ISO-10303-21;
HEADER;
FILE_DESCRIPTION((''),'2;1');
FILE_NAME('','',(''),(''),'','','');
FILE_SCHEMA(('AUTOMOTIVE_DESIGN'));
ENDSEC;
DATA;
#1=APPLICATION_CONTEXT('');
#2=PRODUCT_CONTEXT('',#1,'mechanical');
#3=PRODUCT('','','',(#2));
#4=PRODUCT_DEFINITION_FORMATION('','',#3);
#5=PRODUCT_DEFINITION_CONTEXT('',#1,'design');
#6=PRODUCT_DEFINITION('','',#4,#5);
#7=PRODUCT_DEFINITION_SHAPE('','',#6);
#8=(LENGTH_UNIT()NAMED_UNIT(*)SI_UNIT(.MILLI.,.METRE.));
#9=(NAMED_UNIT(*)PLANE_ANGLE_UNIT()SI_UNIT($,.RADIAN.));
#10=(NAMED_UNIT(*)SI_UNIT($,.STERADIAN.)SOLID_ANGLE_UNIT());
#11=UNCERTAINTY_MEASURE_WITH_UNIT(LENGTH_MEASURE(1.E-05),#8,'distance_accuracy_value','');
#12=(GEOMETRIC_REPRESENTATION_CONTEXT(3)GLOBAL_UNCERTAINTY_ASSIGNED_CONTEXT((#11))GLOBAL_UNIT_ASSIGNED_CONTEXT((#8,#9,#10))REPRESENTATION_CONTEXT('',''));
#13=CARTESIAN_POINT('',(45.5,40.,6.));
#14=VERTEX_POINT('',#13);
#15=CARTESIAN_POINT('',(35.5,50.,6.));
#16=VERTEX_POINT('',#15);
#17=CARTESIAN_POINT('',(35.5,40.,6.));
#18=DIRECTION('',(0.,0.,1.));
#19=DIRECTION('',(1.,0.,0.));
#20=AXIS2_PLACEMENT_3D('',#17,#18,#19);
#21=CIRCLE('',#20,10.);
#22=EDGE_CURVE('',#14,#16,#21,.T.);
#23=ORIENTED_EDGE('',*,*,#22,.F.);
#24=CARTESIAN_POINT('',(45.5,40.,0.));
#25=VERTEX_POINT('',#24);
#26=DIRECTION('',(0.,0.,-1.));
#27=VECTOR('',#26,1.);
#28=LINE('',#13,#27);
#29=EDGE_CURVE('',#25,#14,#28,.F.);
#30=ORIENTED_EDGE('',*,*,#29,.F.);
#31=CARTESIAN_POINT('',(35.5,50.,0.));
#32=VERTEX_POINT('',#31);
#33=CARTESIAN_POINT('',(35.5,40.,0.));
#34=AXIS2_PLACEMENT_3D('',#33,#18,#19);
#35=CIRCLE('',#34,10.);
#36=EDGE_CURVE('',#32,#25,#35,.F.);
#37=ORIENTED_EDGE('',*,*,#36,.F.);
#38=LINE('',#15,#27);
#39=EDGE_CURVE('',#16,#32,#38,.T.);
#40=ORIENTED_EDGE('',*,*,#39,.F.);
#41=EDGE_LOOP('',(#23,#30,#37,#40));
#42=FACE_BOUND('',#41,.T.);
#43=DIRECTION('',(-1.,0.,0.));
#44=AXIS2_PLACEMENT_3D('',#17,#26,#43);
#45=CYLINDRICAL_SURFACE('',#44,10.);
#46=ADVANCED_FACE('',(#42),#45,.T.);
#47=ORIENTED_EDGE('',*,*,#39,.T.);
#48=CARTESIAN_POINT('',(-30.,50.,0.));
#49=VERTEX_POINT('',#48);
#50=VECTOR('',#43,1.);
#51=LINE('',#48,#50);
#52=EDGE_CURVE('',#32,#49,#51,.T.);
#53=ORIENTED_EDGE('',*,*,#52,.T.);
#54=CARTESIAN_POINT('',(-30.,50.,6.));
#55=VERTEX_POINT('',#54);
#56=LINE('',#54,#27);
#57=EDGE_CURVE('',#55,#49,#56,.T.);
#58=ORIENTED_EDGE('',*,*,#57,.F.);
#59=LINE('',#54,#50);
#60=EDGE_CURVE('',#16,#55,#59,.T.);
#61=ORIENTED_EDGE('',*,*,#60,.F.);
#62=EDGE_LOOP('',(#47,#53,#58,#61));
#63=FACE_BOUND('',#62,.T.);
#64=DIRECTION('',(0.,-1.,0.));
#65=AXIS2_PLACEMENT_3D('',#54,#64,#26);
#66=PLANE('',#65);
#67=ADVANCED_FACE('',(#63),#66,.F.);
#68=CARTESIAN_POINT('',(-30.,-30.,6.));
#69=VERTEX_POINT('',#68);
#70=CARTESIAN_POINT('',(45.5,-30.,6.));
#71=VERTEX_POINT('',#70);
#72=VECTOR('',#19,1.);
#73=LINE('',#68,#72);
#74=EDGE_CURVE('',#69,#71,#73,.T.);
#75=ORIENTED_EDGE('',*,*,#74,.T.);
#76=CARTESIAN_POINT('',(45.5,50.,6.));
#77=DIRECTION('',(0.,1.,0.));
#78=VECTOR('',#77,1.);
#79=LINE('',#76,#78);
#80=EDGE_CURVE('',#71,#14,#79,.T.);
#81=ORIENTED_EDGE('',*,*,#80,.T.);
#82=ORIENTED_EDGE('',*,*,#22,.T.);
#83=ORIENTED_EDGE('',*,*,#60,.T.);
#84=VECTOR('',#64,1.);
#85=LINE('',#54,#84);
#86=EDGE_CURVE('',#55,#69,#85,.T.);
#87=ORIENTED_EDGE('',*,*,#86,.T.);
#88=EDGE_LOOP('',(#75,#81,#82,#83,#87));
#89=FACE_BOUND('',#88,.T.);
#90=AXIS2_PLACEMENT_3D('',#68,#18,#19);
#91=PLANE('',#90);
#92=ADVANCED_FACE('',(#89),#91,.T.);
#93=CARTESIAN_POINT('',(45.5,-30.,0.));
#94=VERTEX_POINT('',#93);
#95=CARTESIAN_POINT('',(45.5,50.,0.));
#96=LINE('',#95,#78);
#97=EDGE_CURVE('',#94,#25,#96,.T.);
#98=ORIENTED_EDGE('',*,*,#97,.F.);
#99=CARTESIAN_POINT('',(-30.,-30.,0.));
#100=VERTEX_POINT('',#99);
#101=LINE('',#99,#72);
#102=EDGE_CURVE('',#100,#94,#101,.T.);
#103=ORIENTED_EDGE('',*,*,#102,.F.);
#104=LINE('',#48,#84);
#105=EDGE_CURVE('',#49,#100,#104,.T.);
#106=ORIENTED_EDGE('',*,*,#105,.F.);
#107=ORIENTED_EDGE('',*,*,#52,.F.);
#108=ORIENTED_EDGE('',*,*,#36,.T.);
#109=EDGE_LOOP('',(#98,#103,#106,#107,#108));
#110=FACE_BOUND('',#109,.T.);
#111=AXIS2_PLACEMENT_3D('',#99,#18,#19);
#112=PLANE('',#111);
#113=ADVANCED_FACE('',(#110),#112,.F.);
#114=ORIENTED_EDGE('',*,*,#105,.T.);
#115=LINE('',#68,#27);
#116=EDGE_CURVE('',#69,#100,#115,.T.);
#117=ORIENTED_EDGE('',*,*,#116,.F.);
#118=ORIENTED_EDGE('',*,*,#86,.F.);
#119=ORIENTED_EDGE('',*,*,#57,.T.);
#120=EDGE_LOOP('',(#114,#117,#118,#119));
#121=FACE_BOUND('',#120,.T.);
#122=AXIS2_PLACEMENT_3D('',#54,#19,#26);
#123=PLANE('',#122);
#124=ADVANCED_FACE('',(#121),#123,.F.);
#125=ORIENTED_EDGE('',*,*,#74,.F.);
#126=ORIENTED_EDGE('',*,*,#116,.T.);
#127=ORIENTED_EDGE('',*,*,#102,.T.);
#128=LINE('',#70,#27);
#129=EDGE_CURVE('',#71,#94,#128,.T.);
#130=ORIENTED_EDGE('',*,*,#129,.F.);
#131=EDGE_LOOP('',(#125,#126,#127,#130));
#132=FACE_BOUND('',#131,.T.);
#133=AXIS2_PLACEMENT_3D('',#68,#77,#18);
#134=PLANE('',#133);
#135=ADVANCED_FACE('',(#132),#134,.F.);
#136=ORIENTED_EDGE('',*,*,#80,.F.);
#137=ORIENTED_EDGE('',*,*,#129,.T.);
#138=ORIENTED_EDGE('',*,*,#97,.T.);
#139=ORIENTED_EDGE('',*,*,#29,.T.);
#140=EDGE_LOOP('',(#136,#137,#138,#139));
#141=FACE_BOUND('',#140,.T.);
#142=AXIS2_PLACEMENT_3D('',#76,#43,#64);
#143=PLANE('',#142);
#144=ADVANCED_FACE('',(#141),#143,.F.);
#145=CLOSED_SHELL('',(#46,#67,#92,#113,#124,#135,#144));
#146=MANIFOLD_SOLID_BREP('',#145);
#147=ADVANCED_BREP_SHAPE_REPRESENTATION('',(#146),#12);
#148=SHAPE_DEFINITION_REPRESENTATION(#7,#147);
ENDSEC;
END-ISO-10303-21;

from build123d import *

# Parameters (mm, degrees)
ESQUISSE1_W      = 75.5
ESQUISSE1_H      = 80
EXTRUSION1_DEPTH = 6
CONG_1_R         = 10


with BuildPart() as part:
    # Esquisse1 → Extrusion1 (new body)
    with BuildSketch(Plane.XY):
        with Locations((7.75, 10)):
            Rectangle(ESQUISSE1_W, ESQUISSE1_H)
    extrude(amount=EXTRUSION1_DEPTH)

    # Congé1
    cong_1_edges = [part.edges().sort_by_distance(p)[0] for p in [
        (45.5, 50, 3),
    ]]
    fillet(cong_1_edges, radius=CONG_1_R)


solid = part.part
